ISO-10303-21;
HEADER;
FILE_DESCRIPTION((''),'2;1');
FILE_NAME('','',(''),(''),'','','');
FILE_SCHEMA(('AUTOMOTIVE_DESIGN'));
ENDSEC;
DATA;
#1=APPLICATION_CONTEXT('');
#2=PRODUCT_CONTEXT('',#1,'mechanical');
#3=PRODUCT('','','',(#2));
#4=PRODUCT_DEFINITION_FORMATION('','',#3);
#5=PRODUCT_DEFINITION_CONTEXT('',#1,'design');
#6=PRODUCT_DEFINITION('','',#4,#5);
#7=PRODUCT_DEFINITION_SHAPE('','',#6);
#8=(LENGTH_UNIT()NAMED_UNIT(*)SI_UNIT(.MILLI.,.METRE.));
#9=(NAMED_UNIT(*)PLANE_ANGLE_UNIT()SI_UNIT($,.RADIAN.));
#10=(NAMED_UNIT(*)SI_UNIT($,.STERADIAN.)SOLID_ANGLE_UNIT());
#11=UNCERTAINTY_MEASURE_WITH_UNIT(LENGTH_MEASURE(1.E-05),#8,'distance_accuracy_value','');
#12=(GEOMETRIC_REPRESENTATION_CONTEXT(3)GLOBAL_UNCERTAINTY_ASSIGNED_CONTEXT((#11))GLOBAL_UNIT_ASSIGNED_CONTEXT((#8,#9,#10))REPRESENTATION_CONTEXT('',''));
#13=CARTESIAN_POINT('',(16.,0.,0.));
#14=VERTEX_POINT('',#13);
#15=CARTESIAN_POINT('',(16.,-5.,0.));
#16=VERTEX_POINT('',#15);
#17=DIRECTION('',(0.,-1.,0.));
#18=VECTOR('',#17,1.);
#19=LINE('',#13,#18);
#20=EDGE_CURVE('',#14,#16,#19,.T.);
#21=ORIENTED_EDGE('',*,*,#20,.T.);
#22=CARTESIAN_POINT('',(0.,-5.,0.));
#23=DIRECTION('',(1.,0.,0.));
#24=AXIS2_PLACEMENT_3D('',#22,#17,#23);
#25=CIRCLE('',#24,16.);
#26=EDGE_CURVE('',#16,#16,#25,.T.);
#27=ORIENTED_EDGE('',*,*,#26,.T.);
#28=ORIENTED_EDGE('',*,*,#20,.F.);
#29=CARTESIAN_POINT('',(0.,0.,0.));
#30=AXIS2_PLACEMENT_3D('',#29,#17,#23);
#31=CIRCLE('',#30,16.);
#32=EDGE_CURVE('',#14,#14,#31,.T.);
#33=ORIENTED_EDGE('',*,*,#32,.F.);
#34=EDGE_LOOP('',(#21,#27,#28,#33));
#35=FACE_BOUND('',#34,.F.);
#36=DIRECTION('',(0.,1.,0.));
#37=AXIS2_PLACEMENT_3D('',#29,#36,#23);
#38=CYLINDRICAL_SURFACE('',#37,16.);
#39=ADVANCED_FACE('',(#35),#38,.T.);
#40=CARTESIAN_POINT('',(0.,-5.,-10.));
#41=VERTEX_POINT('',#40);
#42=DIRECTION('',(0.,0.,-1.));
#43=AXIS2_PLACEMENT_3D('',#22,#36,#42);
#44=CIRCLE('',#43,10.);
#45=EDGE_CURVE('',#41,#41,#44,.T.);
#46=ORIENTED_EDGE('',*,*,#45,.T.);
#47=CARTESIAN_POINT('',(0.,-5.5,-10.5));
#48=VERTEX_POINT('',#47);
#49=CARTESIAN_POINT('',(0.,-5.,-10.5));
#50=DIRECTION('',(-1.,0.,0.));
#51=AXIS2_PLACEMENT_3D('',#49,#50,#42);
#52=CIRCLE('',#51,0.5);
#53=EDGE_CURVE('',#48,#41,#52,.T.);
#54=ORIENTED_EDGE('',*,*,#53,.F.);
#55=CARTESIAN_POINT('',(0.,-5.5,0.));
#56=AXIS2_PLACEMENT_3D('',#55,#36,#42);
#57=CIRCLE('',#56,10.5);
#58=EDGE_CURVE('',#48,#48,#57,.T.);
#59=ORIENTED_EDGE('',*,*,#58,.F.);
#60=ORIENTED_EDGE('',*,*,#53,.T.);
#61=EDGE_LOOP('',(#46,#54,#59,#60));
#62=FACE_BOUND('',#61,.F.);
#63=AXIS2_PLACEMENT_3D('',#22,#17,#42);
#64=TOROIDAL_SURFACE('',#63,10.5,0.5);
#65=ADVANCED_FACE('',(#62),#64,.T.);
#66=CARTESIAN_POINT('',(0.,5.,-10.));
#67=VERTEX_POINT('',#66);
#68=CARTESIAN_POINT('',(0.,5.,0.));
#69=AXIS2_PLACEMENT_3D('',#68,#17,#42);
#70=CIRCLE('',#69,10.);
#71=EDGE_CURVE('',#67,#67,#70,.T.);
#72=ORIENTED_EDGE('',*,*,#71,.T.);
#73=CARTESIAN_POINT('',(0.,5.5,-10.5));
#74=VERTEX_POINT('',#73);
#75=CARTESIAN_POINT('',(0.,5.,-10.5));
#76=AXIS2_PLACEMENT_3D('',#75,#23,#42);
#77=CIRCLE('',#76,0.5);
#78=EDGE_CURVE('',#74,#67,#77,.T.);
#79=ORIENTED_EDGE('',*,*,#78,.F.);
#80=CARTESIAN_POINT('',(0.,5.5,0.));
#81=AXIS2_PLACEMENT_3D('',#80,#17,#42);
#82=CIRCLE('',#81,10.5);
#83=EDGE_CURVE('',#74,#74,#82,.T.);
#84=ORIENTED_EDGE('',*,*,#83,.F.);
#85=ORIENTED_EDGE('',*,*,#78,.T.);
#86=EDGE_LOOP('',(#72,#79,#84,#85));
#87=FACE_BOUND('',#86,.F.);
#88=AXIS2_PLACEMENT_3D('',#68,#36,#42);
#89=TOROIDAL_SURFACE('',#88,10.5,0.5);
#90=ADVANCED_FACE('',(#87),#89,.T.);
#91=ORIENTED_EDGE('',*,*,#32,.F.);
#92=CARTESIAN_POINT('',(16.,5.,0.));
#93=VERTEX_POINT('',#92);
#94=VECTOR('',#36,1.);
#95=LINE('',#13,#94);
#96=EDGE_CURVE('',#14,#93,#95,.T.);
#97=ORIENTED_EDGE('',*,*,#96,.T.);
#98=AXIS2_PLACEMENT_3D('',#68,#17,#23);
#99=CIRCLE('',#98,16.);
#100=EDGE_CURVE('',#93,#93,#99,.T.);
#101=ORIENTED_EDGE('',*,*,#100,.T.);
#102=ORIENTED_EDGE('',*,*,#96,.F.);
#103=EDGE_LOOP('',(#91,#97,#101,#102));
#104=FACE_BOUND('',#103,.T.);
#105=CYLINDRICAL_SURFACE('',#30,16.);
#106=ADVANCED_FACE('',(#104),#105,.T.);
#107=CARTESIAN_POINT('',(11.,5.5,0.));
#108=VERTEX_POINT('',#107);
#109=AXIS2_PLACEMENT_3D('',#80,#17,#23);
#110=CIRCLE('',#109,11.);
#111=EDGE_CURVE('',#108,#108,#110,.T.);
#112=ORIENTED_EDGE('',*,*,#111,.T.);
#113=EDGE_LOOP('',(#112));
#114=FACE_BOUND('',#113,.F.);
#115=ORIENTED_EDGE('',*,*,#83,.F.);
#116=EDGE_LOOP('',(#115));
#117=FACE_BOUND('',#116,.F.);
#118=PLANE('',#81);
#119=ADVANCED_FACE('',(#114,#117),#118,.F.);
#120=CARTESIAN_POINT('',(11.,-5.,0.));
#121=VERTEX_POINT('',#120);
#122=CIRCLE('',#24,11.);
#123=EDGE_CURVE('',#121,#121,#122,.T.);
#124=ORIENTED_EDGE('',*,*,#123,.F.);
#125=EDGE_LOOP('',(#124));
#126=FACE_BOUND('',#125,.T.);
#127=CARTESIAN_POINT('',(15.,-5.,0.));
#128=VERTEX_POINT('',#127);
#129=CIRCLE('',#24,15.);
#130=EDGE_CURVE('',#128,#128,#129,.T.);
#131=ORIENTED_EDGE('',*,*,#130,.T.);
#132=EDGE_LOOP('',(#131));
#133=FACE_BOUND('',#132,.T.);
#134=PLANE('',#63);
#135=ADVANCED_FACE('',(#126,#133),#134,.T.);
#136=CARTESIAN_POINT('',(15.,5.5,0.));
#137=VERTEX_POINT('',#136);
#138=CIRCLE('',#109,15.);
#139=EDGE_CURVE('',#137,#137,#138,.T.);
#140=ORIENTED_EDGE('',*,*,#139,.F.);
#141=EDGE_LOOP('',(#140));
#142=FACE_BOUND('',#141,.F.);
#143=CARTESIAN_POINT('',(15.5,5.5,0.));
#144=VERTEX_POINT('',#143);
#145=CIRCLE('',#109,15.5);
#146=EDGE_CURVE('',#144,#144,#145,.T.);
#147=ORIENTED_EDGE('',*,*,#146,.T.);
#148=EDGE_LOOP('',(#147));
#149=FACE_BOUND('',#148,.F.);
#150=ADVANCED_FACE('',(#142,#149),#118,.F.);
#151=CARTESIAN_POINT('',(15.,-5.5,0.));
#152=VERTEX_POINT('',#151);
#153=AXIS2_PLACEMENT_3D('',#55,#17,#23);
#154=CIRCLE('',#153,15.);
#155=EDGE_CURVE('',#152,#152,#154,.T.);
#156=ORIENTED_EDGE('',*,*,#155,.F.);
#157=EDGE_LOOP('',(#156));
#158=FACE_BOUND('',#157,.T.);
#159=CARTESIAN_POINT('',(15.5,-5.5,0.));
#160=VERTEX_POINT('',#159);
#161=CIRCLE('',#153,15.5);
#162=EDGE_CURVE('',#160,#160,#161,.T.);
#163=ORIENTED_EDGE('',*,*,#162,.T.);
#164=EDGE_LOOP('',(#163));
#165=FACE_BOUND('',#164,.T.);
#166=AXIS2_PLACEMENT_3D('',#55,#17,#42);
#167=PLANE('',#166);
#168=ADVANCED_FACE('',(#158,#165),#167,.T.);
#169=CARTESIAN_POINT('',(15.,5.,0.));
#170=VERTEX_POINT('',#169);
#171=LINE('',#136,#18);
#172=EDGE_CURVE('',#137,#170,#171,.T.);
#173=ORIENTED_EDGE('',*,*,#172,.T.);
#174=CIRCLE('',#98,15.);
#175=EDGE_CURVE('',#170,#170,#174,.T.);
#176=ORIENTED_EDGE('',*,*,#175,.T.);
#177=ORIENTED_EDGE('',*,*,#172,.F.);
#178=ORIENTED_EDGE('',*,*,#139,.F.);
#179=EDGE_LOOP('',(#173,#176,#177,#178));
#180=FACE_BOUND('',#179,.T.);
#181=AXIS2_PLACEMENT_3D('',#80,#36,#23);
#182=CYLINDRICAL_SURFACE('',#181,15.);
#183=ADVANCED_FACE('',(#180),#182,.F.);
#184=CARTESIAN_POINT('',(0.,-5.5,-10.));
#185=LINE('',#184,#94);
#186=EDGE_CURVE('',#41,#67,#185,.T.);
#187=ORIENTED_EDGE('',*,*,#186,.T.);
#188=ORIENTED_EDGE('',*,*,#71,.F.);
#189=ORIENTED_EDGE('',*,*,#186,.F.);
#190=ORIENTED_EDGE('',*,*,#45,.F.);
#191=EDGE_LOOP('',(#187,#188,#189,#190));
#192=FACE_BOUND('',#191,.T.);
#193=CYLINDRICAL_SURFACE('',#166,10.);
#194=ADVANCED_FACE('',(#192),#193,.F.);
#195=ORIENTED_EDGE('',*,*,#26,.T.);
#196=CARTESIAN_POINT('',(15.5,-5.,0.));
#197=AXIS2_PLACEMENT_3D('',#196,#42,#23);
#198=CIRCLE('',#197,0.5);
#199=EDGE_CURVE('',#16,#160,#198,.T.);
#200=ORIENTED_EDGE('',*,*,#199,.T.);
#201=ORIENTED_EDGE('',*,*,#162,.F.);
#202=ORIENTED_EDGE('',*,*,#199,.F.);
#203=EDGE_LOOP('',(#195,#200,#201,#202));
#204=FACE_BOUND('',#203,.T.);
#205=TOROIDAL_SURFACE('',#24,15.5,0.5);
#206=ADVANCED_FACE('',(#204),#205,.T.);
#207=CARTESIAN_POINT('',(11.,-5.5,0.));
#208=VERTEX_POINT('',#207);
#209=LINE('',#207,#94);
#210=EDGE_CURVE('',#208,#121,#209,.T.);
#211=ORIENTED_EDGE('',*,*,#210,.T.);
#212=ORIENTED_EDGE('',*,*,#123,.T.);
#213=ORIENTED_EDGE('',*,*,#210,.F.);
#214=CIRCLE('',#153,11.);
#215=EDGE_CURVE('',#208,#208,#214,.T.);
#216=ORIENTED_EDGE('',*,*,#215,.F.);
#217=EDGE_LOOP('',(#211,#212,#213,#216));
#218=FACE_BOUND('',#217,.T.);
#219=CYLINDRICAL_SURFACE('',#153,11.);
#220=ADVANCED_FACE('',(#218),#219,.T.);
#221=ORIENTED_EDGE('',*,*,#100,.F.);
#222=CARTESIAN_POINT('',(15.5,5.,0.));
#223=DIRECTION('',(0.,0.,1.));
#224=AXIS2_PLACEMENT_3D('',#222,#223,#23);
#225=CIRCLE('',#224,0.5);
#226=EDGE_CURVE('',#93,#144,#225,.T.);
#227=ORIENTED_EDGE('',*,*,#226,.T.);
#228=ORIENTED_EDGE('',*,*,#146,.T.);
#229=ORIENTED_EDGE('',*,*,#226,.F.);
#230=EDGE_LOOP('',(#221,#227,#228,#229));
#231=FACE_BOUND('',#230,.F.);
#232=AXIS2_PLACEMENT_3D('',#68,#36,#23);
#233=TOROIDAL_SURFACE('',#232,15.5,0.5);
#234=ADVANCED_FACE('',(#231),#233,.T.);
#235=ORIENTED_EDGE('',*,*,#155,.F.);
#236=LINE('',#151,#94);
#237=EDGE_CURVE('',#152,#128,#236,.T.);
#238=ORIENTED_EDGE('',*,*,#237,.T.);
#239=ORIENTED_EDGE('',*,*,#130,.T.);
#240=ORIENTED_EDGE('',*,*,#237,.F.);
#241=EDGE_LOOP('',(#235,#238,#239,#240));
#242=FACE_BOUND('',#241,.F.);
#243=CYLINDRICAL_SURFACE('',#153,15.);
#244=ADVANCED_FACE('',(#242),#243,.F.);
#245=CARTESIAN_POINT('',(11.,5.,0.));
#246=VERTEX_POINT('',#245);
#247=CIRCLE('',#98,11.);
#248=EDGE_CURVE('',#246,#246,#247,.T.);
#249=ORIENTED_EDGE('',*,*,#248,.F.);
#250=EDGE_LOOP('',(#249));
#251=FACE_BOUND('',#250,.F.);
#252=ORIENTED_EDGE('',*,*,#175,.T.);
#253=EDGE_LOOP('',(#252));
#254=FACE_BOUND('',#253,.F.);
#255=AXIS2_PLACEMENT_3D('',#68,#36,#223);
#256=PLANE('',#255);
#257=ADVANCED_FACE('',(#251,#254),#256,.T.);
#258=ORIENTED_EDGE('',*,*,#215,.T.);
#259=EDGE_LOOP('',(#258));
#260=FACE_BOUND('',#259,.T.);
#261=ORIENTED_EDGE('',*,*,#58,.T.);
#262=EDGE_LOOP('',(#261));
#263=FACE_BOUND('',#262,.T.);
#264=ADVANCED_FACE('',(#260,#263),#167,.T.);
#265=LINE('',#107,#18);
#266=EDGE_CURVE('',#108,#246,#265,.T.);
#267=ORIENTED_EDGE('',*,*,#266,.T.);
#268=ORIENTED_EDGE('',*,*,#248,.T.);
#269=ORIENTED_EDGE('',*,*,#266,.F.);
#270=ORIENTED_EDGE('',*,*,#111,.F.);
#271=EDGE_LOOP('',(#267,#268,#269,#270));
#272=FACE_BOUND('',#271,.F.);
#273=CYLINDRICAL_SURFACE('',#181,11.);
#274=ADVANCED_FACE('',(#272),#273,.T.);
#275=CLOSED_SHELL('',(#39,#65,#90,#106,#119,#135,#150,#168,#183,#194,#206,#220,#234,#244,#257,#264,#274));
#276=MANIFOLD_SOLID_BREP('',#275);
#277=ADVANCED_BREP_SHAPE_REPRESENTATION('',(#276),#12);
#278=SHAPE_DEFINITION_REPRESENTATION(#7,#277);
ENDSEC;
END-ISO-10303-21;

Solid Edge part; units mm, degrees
sketch "Sketch1" plane through (0, 0, 0) normal (0, -1, 0) x (1, 0, 0)
  circle A0 centre (0, 0) radius 16
extrude "Protrusion1" add sketch "Sketch1" along normal mid plane 11
hole "Bohrung_1" at (0, -5.5, 0) direction (0, 1, 0) diameter 20 end up to next
fillet "Verrundung_1" radius 0.5 4 edges at (-16, -5.5, 0) (-16, 5.5, 0) (-10, -5.5, 0) (0, 5.5, -10)
sketch "Sketch2" plane through (0, -5.5, 0) normal (0, -1, 0) x (1, 0, 0)
  circle A0 centre (0, 0) radius 11
  circle A1 centre (0, 0) radius 15
extrude "Extrusionsausschnitt_1" cut sketch "Sketch2" along normal mid plane 1
mirror "Mirror1" about plane through (0, 0, 0) normal (0, -1, 0) of "Extrusionsausschnitt_1"
properties material "Aluminium, 1060"
